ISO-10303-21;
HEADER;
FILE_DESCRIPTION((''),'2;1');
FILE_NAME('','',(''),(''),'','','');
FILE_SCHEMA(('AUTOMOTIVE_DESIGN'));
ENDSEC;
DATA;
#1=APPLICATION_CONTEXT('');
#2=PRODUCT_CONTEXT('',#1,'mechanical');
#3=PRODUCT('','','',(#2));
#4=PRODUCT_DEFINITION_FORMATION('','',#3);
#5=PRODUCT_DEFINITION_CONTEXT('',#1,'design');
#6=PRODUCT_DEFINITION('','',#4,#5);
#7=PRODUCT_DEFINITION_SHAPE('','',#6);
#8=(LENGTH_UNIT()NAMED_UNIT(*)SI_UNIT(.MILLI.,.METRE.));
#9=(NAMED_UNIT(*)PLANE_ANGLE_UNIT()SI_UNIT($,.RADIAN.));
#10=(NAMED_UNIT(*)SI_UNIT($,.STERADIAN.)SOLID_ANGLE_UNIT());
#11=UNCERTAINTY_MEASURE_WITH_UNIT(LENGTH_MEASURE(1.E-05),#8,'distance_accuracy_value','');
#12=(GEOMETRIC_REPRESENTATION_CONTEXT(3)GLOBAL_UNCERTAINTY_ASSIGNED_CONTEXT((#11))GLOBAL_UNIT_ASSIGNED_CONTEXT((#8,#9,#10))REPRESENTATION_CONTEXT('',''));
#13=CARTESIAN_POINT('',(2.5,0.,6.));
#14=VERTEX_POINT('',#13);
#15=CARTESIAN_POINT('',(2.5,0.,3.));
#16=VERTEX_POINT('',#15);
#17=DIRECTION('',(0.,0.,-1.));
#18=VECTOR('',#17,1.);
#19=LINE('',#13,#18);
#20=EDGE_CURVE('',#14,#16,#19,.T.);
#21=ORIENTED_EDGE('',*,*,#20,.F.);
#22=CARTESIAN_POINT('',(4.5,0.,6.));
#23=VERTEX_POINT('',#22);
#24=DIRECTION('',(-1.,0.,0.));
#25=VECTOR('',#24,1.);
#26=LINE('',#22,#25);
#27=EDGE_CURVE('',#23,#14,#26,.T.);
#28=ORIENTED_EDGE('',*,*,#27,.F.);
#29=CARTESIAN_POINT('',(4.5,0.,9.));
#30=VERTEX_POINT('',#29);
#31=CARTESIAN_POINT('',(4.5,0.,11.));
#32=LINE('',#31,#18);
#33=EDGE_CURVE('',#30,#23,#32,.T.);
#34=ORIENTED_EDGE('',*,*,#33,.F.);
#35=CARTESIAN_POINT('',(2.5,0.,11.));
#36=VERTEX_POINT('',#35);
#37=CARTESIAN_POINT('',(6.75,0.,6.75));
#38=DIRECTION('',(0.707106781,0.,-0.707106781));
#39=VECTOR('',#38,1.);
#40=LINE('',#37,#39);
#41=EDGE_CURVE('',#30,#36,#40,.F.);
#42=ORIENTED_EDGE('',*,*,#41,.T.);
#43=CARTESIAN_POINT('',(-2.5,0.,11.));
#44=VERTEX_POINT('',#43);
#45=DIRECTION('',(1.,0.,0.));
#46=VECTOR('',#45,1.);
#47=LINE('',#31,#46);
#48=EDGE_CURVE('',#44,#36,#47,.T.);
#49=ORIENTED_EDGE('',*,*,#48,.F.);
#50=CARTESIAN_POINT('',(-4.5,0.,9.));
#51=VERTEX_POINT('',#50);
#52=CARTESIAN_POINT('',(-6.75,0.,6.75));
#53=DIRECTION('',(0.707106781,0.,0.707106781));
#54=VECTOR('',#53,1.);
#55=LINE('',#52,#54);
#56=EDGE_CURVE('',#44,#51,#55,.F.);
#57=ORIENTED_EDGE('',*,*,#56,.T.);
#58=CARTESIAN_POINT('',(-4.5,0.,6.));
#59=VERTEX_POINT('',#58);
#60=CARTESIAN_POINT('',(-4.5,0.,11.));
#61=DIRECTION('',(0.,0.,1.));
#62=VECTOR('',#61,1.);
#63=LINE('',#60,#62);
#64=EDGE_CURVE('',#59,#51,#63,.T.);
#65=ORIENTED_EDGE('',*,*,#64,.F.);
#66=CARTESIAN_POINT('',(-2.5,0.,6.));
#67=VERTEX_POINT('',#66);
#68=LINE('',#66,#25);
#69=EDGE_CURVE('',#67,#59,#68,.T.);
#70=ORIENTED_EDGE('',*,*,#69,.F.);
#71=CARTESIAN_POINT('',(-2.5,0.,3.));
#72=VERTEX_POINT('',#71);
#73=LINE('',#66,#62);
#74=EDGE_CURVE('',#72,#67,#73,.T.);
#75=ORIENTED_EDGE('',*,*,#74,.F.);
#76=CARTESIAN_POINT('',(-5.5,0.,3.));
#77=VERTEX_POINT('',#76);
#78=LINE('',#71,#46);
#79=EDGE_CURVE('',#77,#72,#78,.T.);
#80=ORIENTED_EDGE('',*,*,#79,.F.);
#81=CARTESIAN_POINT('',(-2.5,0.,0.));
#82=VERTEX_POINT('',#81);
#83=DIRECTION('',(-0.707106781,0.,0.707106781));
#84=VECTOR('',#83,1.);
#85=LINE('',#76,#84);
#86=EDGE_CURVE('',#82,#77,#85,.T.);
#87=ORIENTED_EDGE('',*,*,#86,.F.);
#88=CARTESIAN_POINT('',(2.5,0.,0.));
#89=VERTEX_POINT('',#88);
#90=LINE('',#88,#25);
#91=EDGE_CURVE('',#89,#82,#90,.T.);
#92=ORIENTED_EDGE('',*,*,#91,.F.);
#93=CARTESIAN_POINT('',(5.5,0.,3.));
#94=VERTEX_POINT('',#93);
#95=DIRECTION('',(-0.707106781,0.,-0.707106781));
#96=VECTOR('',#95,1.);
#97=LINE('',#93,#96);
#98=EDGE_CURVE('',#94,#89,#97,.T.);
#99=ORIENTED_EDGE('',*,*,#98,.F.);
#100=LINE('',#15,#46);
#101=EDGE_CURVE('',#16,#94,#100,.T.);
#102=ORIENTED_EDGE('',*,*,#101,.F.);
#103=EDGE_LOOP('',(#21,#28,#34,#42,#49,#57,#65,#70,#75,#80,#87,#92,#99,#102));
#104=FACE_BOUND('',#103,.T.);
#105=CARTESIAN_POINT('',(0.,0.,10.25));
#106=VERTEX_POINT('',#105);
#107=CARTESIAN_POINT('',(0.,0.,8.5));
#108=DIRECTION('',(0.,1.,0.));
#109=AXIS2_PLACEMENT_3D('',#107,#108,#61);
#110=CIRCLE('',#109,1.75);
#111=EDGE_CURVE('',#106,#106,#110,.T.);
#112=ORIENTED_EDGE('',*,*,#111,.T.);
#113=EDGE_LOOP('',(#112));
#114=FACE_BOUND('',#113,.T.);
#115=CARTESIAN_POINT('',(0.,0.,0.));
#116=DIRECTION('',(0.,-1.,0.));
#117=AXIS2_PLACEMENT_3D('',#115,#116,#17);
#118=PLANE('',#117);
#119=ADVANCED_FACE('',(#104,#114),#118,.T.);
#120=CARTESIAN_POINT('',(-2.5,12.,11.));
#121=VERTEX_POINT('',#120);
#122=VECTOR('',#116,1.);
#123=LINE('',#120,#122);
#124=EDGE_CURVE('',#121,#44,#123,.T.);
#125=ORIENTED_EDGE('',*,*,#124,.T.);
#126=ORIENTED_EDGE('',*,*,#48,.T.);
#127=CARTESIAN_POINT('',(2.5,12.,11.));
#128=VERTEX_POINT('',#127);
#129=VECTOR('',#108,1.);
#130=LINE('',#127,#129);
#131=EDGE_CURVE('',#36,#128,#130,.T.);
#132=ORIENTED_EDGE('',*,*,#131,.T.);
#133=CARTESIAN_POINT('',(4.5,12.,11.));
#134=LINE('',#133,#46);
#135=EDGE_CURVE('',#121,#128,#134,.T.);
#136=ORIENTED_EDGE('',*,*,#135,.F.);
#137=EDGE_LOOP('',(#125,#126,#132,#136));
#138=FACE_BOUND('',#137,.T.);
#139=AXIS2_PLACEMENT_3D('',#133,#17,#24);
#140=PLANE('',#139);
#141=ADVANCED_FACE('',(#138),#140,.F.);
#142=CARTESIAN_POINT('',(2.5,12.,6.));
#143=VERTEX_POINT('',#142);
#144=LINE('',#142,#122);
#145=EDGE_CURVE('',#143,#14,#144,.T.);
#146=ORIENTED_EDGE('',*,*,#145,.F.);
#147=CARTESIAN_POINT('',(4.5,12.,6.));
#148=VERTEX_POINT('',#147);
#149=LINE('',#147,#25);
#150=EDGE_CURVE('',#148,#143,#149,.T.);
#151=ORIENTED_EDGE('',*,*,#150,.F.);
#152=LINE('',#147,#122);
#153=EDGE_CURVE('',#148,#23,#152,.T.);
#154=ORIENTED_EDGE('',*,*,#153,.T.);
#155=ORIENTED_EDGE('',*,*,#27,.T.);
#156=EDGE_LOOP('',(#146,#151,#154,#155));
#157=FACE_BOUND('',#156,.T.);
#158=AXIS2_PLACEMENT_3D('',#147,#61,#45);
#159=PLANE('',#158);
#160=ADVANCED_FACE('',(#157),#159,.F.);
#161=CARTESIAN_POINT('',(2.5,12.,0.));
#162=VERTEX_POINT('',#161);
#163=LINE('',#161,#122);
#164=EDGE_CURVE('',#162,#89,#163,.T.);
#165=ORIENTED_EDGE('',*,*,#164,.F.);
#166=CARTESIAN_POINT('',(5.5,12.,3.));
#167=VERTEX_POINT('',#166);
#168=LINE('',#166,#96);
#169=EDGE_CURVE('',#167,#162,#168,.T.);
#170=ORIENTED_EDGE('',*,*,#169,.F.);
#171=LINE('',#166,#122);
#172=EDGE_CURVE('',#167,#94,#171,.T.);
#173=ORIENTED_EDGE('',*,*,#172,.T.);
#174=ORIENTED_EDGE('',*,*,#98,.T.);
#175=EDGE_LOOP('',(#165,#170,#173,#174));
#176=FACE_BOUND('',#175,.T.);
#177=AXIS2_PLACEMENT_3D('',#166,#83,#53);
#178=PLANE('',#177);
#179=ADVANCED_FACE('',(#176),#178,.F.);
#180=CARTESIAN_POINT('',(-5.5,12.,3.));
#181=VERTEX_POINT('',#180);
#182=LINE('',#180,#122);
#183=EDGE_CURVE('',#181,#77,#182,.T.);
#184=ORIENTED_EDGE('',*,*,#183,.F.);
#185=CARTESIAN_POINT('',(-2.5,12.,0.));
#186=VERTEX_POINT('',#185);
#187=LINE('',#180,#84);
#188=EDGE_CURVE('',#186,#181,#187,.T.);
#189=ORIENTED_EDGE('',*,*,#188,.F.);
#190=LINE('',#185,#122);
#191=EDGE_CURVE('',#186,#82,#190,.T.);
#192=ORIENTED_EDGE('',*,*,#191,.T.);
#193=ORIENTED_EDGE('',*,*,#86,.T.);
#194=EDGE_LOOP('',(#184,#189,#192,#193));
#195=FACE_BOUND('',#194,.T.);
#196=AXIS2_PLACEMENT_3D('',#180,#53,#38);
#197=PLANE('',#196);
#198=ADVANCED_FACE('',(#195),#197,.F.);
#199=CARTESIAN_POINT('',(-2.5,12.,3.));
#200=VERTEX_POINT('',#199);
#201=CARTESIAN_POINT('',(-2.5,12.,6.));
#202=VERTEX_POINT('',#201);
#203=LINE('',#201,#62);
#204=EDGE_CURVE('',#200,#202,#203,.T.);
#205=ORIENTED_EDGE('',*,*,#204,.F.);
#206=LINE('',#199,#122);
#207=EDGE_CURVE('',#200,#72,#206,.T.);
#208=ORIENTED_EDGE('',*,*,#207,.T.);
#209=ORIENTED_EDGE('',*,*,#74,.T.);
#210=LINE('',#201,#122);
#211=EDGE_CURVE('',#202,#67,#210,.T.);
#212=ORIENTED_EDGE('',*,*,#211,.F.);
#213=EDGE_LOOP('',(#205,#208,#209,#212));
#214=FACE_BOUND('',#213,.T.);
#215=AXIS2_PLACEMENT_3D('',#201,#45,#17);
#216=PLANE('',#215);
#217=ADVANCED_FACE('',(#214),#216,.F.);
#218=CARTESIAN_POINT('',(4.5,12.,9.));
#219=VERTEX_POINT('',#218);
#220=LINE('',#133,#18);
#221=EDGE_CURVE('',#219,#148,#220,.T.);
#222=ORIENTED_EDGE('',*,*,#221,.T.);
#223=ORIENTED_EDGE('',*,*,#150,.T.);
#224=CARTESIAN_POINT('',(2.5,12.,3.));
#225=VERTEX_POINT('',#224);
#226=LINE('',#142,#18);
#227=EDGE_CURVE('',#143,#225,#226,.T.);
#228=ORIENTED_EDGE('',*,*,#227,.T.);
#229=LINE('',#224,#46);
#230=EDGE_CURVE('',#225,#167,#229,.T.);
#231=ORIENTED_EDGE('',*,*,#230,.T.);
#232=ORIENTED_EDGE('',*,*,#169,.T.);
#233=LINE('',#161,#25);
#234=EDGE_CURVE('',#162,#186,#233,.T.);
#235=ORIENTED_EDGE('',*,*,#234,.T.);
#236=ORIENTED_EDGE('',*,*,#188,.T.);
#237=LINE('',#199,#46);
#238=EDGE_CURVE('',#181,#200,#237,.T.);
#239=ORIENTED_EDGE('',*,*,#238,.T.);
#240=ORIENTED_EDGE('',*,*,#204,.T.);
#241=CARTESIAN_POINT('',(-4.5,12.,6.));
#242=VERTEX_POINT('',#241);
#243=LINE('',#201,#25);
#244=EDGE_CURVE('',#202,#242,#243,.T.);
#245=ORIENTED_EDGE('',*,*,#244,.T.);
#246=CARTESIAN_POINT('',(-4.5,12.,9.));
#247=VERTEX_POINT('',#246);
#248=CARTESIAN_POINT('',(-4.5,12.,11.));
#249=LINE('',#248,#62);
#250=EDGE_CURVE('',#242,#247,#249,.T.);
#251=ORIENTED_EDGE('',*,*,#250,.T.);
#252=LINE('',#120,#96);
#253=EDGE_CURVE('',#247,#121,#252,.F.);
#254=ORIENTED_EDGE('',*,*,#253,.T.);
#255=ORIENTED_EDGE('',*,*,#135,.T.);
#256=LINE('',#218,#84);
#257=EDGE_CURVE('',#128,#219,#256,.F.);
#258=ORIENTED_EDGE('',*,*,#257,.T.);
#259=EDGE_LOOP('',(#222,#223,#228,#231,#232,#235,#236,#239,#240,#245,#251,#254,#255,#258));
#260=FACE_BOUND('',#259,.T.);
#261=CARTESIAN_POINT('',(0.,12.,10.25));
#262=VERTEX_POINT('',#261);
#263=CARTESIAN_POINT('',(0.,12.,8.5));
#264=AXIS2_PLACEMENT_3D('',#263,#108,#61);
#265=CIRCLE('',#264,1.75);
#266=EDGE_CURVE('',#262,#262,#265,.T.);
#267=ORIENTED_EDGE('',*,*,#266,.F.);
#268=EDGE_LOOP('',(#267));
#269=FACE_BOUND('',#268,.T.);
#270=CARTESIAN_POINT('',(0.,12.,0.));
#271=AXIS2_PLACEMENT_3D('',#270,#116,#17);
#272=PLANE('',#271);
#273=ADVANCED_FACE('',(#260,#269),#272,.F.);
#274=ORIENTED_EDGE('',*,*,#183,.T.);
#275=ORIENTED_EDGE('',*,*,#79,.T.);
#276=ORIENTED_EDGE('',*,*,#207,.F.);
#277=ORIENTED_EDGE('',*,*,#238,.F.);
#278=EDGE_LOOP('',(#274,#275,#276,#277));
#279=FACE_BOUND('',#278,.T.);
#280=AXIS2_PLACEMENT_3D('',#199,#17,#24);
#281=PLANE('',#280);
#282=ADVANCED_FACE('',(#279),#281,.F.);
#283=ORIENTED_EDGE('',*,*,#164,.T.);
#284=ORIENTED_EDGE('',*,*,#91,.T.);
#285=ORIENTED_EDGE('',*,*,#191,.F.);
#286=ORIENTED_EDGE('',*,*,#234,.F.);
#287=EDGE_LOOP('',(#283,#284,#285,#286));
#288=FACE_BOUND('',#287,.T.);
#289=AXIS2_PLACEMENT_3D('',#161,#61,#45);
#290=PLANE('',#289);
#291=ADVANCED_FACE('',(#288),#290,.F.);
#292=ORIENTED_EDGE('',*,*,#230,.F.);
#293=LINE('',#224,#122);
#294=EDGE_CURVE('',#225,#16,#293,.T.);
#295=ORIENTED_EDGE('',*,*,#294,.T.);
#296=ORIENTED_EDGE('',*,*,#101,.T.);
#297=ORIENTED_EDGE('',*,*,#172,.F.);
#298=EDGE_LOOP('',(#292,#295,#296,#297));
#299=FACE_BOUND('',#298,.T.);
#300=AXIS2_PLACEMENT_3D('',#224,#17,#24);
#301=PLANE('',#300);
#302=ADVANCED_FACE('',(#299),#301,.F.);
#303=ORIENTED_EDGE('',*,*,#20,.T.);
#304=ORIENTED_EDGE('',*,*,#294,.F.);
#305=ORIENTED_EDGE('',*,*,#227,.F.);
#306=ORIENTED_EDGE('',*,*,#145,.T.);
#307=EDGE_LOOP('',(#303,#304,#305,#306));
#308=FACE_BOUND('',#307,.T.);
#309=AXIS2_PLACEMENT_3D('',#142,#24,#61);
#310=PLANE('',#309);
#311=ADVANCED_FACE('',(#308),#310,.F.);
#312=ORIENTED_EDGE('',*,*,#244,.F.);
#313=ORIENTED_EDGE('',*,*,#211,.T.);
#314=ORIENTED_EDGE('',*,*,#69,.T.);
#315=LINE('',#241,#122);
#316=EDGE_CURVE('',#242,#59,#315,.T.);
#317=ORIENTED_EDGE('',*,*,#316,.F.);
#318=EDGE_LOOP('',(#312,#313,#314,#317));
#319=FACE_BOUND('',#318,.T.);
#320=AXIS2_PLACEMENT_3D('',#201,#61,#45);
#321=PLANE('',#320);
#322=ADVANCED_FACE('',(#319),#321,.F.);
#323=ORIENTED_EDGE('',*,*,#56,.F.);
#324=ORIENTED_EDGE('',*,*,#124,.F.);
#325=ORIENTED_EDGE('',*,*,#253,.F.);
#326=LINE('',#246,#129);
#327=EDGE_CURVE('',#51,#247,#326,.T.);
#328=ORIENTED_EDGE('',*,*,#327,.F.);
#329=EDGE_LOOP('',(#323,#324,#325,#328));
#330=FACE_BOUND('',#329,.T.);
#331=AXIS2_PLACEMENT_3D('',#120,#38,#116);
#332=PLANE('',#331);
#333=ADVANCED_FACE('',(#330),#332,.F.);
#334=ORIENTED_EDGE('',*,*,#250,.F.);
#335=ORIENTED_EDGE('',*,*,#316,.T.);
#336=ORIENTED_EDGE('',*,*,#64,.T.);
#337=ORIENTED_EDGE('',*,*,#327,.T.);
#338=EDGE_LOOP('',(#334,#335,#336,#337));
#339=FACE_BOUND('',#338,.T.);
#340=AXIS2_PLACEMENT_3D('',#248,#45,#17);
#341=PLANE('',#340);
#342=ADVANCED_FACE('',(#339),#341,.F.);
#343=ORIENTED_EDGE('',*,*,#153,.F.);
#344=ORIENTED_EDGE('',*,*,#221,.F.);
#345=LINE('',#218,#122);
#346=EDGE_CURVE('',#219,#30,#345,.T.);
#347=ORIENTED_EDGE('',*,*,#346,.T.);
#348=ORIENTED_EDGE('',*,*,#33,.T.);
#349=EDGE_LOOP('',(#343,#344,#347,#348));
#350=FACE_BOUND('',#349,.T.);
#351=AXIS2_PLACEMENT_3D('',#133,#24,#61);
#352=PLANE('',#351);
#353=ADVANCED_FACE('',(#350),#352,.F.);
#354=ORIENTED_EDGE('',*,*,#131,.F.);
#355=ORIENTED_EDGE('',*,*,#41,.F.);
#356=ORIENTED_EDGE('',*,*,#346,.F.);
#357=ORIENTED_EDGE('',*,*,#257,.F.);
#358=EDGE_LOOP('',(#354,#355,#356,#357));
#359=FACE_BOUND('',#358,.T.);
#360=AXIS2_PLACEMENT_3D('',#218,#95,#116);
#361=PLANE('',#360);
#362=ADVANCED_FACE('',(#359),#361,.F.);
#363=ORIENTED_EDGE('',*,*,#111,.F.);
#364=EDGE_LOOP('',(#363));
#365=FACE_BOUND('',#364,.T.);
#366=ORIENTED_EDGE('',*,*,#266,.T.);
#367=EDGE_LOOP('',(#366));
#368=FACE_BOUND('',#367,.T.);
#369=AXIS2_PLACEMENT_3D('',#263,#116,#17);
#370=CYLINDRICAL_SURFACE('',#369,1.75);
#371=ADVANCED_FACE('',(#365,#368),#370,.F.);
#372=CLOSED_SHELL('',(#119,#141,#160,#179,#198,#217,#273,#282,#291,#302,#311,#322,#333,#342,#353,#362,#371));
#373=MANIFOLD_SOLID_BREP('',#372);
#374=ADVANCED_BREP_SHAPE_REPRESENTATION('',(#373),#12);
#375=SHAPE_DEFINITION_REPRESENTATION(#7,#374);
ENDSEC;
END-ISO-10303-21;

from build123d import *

# Parameters (mm, degrees)
ESQUISSE1_R        = 1.75
BOSS_EXTRU_1_DEPTH = 12
CHANFREIN1_SIZE    = 2


with BuildPart() as part:
    # Esquisse1 → Boss.-Extru.1 (new body)
    with BuildSketch(Plane(origin=(0, 0, 0), x_dir=(-1, 0, 0), z_dir=(0, 1, 0))):
        Polygon((-5.5, 3), (-2.5, 0), (2.5, 0), (5.5, 3), (2.5, 3), (2.5, 6), (4.5, 6), (4.5, 11), (-4.5, 11), (-4.5, 6), (-2.5, 6), (-2.5, 3), align=None)
        with Locations((0, 8.5)):
            Circle(ESQUISSE1_R, mode=Mode.SUBTRACT)
    extrude(amount=BOSS_EXTRU_1_DEPTH)

    # Chanfrein1
    chanfrein1_edges = [part.edges().sort_by_distance(p)[0] for p in [
        (4.5, 6, 11),
        (-4.5, 6, 11),
    ]]
    chamfer(chanfrein1_edges, length=CHANFREIN1_SIZE)


solid = part.part
